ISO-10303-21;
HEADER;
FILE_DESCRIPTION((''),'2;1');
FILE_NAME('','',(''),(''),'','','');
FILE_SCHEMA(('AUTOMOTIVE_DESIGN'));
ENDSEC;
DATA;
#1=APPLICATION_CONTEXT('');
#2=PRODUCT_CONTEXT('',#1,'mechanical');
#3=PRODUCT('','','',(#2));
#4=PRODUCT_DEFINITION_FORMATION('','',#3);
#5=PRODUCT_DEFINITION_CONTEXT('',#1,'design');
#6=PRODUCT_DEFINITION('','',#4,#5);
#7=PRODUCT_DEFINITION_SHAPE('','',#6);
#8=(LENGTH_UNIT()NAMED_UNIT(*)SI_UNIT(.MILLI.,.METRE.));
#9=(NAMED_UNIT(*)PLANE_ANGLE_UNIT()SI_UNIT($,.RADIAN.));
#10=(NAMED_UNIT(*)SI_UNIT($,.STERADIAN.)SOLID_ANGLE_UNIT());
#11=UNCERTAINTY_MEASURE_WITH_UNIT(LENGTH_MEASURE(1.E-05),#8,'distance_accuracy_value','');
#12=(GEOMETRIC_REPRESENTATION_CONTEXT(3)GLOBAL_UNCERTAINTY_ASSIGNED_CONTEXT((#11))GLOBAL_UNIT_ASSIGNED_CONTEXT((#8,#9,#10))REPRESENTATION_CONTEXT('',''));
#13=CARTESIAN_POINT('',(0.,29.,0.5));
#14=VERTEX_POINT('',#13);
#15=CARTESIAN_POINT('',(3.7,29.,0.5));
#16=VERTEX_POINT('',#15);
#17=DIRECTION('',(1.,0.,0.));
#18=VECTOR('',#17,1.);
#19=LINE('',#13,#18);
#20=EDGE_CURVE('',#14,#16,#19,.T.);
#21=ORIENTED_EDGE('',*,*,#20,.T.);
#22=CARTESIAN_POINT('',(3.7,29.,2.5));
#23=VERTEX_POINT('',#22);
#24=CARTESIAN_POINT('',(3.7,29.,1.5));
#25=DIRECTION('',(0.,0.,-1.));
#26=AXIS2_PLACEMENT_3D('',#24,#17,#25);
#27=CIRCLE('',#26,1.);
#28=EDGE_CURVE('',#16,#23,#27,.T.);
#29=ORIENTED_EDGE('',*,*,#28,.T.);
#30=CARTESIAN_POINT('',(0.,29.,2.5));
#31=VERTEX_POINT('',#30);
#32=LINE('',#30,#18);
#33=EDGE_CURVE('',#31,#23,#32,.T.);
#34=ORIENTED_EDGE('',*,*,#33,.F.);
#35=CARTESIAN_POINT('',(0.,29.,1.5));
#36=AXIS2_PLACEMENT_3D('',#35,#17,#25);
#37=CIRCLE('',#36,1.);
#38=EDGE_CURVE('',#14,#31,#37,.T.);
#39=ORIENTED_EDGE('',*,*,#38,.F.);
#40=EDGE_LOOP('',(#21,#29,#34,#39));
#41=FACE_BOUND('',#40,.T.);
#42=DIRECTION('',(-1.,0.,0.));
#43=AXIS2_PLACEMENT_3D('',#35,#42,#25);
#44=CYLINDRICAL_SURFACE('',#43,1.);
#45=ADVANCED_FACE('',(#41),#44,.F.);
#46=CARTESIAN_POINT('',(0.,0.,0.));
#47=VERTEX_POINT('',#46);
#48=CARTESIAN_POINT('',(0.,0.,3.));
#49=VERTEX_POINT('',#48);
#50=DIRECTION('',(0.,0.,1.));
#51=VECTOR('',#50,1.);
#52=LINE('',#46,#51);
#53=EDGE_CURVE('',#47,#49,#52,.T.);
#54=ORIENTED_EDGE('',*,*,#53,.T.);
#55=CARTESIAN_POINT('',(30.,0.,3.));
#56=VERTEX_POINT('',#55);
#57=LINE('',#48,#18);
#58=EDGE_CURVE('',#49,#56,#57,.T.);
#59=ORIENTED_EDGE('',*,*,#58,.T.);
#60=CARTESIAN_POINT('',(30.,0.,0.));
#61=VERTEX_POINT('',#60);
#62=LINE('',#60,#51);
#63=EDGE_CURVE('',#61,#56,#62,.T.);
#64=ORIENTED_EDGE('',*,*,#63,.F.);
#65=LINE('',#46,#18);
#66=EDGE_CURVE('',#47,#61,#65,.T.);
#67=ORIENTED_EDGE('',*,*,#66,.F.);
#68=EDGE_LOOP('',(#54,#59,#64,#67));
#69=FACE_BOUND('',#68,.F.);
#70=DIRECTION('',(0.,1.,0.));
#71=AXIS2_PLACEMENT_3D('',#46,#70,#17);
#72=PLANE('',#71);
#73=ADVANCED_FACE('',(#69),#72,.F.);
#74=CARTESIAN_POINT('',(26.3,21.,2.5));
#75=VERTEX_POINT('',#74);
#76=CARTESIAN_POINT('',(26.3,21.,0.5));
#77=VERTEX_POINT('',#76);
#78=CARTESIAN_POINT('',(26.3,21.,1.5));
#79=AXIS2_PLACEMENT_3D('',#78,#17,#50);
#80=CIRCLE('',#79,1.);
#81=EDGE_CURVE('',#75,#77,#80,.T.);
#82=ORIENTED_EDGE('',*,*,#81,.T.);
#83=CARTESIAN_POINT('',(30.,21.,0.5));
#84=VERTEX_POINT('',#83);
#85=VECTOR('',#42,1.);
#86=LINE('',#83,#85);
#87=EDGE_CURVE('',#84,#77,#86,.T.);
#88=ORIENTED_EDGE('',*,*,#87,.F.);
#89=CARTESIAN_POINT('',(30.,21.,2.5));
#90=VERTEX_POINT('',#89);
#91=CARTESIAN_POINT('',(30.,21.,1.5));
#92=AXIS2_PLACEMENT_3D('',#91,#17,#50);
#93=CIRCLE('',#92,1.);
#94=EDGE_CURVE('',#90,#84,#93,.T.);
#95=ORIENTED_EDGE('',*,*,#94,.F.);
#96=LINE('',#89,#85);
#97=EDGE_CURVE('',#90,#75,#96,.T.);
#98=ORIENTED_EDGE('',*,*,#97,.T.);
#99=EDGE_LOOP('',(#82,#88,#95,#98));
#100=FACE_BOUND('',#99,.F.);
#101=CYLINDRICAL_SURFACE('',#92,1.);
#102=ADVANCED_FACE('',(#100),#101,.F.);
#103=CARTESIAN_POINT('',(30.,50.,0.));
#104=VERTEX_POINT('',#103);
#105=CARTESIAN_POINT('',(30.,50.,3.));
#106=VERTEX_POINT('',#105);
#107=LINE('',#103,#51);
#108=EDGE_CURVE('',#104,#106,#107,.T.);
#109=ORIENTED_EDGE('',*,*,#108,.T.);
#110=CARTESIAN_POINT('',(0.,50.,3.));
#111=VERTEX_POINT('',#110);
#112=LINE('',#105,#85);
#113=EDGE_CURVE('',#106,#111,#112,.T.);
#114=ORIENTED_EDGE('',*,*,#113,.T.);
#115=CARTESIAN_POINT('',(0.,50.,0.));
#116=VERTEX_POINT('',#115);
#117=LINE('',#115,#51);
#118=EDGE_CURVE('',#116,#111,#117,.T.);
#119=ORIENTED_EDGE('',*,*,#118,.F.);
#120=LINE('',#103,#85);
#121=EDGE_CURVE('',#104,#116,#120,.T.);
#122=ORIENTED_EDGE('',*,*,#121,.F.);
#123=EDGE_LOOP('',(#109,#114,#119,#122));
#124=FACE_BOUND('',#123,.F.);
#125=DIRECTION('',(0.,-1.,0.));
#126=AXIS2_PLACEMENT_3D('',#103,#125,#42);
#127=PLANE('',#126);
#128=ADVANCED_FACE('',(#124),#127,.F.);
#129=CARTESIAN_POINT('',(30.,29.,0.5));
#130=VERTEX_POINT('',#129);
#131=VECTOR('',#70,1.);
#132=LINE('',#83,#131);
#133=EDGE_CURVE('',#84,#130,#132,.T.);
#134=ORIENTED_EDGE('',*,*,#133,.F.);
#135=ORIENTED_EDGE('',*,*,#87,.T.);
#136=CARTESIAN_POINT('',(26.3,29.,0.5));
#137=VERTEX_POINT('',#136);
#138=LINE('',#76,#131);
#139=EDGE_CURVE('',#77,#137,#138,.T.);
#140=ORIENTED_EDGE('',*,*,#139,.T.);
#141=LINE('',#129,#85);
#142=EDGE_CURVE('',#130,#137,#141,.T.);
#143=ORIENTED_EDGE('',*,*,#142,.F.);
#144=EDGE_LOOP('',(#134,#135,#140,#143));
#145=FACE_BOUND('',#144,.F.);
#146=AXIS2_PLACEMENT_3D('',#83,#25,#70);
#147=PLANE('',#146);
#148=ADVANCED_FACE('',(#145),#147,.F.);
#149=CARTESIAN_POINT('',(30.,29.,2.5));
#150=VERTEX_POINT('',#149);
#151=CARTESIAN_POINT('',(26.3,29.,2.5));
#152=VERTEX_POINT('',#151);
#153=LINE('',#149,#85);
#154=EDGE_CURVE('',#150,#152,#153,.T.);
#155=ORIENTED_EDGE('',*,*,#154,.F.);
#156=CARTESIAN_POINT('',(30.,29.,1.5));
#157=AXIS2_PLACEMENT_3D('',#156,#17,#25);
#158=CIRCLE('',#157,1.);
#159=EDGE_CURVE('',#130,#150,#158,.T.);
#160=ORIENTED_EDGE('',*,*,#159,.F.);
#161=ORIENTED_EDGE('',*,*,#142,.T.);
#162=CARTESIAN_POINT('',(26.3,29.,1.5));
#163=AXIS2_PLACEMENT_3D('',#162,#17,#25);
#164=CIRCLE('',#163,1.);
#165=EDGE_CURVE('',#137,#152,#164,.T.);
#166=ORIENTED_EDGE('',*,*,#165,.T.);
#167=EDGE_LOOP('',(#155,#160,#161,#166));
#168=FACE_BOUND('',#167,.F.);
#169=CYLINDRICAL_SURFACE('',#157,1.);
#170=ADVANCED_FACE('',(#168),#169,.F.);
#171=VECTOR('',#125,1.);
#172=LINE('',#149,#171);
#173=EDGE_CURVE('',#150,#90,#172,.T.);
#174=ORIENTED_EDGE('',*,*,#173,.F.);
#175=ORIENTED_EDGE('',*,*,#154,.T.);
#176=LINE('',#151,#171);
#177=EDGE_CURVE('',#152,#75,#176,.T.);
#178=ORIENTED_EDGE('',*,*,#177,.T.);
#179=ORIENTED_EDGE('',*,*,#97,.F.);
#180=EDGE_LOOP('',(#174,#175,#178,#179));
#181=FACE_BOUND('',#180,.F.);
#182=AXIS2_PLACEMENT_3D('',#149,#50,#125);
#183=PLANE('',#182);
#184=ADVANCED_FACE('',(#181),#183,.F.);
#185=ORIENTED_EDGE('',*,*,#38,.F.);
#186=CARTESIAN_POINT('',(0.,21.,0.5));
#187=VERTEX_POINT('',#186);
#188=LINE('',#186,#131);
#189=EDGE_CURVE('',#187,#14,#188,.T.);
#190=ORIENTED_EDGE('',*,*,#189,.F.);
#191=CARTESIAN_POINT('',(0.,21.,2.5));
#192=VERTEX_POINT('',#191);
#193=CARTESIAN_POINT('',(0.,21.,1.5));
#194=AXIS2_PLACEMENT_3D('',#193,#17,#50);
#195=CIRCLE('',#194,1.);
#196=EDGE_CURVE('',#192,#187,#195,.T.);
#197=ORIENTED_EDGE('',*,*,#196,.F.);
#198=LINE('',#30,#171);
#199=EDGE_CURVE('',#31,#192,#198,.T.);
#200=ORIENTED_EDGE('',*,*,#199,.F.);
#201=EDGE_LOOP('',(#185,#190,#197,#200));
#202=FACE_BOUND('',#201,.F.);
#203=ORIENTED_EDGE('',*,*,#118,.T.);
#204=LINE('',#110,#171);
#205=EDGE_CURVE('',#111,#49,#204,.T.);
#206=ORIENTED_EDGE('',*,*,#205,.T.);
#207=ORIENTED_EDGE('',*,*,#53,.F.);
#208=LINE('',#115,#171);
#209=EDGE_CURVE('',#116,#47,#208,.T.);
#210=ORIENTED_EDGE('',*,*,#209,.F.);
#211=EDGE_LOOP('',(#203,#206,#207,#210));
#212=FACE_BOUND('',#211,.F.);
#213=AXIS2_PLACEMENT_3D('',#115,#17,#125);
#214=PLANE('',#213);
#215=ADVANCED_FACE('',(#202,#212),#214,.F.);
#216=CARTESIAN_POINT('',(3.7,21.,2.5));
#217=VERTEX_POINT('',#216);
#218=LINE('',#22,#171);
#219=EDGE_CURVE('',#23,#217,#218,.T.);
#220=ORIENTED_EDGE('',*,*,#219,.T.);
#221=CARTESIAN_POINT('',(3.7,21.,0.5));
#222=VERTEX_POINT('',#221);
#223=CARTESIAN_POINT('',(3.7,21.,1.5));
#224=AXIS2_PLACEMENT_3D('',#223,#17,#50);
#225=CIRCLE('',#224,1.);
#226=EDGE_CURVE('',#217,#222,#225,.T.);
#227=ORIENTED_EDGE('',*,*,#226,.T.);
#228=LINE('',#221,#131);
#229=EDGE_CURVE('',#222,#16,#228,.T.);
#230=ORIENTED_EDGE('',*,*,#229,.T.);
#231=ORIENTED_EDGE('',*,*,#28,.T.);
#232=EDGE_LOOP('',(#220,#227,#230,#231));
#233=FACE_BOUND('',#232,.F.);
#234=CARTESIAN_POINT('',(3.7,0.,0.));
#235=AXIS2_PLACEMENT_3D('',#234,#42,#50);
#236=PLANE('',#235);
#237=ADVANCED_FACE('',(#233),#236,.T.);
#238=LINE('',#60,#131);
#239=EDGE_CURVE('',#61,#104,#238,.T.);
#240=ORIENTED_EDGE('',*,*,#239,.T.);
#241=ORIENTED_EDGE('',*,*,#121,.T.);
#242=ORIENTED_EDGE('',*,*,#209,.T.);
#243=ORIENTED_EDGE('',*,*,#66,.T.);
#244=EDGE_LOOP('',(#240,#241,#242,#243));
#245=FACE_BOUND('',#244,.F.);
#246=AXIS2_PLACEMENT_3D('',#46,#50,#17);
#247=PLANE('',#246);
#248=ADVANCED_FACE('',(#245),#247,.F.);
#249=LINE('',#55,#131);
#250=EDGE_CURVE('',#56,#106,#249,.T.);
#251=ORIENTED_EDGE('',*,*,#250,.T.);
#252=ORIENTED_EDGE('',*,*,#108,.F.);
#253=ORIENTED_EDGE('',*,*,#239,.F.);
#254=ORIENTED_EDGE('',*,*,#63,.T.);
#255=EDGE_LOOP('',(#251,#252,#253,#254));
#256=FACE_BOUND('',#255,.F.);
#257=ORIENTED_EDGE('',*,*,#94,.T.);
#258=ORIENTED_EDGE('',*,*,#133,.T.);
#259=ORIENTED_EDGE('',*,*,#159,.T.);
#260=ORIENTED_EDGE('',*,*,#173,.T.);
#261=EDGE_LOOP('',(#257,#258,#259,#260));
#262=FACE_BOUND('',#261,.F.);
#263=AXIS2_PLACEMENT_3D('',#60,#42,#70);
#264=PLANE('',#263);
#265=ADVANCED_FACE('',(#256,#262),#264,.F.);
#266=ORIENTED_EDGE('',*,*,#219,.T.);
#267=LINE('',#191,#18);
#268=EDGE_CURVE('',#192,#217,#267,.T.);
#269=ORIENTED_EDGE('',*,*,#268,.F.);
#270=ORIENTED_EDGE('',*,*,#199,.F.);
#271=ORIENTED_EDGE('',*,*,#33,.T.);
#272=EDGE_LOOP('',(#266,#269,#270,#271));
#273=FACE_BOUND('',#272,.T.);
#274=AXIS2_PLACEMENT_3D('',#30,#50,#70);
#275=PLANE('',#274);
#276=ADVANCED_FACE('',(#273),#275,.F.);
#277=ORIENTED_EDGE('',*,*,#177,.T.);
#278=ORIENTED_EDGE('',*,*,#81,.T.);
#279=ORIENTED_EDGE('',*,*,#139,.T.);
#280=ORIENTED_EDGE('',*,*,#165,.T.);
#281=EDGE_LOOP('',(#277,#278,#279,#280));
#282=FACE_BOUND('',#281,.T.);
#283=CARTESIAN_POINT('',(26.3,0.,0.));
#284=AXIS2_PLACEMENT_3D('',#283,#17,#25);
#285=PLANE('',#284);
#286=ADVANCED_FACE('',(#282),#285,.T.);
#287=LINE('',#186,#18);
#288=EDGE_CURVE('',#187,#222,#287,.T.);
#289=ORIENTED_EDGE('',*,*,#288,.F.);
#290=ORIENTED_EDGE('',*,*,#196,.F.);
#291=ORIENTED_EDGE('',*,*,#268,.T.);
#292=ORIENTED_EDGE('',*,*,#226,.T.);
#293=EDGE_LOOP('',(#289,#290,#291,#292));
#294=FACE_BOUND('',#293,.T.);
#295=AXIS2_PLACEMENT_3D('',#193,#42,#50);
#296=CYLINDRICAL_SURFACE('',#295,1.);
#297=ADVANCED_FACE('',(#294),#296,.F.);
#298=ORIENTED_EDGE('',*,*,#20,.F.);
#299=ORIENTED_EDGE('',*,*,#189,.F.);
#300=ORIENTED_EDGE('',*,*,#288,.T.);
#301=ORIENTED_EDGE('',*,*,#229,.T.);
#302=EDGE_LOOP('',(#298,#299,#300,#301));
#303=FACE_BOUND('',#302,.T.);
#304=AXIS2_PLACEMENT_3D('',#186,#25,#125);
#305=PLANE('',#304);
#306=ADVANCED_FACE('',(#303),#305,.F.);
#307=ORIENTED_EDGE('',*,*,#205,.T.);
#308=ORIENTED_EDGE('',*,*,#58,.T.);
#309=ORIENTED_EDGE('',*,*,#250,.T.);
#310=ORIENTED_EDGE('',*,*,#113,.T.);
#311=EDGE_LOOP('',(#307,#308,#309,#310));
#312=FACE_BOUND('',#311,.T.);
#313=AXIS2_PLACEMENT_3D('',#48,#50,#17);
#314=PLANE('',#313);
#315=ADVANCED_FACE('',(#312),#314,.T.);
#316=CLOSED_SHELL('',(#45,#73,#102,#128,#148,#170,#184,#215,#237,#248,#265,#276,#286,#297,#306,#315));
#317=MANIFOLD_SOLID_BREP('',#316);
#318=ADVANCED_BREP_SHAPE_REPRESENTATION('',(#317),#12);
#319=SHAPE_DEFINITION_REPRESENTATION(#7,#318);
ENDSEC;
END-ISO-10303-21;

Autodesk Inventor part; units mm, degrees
ref_plane "YZ Plane" through (0, 0, 0) normal (1, 0, 0) x (0, 1, 0)
ref_plane "XZ Plane" through (0, 0, 0) normal (0, 1, 0) x (-1, 0, 0)
sketch "Sketch1" plane through (0, 0, 0) normal (0, 0, 1) x (1, 0, 0)
  line L0 (0, 0) -> (30, 0)
  line L1 (30, 0) -> (30, 50)
  line L2 (30, 50) -> (0, 50)
  line L3 (0, 50) -> (0, 0)
  dimension "d0" = 30
  dimension "d1" = 50
extrude "Extrusion1" add sketch "Sketch1" along normal blind 3
sketch "Sketch2" plane through (30, 0, 0) normal (1, 0, 0) x (0, 0, -1)
  line L0 (-1.5, 30) -> (-1.5, 20) construction
  line L1 (-3, 0) -> (-3, 50) projected
  line L2 (-2.5, 29) -> (-2.5, 21)
  line L3 (-0.5, 21) -> (-0.5, 29)
  arc A0 (-0.5, 29) -> (-2.5, 29) centre (-1.5, 29) ccw
  arc A1 (-2.5, 21) -> (-0.5, 21) centre (-1.5, 21) ccw
  line L4 (0, 0) -> (0, 50) projected
  point P0 (-1.5, 25)
  point P1 (0, 25)
  dimension "d12" = 25
  dimension "d13" = 1
  dimension "d14" = 10
  dimension "d15" = 1.5
extrude "Extrusion2" cut sketch "Sketch2" against normal blind 3.7
ref_plane "Work Plane1" through (15, 0, 0) normal (1, 0, 0) x (0, 0, -1)
mirror "Mirror1" about plane through (15, 0, 0) normal (1, 0, 0) of "Extrusion2"
properties part number "motor box 2"
